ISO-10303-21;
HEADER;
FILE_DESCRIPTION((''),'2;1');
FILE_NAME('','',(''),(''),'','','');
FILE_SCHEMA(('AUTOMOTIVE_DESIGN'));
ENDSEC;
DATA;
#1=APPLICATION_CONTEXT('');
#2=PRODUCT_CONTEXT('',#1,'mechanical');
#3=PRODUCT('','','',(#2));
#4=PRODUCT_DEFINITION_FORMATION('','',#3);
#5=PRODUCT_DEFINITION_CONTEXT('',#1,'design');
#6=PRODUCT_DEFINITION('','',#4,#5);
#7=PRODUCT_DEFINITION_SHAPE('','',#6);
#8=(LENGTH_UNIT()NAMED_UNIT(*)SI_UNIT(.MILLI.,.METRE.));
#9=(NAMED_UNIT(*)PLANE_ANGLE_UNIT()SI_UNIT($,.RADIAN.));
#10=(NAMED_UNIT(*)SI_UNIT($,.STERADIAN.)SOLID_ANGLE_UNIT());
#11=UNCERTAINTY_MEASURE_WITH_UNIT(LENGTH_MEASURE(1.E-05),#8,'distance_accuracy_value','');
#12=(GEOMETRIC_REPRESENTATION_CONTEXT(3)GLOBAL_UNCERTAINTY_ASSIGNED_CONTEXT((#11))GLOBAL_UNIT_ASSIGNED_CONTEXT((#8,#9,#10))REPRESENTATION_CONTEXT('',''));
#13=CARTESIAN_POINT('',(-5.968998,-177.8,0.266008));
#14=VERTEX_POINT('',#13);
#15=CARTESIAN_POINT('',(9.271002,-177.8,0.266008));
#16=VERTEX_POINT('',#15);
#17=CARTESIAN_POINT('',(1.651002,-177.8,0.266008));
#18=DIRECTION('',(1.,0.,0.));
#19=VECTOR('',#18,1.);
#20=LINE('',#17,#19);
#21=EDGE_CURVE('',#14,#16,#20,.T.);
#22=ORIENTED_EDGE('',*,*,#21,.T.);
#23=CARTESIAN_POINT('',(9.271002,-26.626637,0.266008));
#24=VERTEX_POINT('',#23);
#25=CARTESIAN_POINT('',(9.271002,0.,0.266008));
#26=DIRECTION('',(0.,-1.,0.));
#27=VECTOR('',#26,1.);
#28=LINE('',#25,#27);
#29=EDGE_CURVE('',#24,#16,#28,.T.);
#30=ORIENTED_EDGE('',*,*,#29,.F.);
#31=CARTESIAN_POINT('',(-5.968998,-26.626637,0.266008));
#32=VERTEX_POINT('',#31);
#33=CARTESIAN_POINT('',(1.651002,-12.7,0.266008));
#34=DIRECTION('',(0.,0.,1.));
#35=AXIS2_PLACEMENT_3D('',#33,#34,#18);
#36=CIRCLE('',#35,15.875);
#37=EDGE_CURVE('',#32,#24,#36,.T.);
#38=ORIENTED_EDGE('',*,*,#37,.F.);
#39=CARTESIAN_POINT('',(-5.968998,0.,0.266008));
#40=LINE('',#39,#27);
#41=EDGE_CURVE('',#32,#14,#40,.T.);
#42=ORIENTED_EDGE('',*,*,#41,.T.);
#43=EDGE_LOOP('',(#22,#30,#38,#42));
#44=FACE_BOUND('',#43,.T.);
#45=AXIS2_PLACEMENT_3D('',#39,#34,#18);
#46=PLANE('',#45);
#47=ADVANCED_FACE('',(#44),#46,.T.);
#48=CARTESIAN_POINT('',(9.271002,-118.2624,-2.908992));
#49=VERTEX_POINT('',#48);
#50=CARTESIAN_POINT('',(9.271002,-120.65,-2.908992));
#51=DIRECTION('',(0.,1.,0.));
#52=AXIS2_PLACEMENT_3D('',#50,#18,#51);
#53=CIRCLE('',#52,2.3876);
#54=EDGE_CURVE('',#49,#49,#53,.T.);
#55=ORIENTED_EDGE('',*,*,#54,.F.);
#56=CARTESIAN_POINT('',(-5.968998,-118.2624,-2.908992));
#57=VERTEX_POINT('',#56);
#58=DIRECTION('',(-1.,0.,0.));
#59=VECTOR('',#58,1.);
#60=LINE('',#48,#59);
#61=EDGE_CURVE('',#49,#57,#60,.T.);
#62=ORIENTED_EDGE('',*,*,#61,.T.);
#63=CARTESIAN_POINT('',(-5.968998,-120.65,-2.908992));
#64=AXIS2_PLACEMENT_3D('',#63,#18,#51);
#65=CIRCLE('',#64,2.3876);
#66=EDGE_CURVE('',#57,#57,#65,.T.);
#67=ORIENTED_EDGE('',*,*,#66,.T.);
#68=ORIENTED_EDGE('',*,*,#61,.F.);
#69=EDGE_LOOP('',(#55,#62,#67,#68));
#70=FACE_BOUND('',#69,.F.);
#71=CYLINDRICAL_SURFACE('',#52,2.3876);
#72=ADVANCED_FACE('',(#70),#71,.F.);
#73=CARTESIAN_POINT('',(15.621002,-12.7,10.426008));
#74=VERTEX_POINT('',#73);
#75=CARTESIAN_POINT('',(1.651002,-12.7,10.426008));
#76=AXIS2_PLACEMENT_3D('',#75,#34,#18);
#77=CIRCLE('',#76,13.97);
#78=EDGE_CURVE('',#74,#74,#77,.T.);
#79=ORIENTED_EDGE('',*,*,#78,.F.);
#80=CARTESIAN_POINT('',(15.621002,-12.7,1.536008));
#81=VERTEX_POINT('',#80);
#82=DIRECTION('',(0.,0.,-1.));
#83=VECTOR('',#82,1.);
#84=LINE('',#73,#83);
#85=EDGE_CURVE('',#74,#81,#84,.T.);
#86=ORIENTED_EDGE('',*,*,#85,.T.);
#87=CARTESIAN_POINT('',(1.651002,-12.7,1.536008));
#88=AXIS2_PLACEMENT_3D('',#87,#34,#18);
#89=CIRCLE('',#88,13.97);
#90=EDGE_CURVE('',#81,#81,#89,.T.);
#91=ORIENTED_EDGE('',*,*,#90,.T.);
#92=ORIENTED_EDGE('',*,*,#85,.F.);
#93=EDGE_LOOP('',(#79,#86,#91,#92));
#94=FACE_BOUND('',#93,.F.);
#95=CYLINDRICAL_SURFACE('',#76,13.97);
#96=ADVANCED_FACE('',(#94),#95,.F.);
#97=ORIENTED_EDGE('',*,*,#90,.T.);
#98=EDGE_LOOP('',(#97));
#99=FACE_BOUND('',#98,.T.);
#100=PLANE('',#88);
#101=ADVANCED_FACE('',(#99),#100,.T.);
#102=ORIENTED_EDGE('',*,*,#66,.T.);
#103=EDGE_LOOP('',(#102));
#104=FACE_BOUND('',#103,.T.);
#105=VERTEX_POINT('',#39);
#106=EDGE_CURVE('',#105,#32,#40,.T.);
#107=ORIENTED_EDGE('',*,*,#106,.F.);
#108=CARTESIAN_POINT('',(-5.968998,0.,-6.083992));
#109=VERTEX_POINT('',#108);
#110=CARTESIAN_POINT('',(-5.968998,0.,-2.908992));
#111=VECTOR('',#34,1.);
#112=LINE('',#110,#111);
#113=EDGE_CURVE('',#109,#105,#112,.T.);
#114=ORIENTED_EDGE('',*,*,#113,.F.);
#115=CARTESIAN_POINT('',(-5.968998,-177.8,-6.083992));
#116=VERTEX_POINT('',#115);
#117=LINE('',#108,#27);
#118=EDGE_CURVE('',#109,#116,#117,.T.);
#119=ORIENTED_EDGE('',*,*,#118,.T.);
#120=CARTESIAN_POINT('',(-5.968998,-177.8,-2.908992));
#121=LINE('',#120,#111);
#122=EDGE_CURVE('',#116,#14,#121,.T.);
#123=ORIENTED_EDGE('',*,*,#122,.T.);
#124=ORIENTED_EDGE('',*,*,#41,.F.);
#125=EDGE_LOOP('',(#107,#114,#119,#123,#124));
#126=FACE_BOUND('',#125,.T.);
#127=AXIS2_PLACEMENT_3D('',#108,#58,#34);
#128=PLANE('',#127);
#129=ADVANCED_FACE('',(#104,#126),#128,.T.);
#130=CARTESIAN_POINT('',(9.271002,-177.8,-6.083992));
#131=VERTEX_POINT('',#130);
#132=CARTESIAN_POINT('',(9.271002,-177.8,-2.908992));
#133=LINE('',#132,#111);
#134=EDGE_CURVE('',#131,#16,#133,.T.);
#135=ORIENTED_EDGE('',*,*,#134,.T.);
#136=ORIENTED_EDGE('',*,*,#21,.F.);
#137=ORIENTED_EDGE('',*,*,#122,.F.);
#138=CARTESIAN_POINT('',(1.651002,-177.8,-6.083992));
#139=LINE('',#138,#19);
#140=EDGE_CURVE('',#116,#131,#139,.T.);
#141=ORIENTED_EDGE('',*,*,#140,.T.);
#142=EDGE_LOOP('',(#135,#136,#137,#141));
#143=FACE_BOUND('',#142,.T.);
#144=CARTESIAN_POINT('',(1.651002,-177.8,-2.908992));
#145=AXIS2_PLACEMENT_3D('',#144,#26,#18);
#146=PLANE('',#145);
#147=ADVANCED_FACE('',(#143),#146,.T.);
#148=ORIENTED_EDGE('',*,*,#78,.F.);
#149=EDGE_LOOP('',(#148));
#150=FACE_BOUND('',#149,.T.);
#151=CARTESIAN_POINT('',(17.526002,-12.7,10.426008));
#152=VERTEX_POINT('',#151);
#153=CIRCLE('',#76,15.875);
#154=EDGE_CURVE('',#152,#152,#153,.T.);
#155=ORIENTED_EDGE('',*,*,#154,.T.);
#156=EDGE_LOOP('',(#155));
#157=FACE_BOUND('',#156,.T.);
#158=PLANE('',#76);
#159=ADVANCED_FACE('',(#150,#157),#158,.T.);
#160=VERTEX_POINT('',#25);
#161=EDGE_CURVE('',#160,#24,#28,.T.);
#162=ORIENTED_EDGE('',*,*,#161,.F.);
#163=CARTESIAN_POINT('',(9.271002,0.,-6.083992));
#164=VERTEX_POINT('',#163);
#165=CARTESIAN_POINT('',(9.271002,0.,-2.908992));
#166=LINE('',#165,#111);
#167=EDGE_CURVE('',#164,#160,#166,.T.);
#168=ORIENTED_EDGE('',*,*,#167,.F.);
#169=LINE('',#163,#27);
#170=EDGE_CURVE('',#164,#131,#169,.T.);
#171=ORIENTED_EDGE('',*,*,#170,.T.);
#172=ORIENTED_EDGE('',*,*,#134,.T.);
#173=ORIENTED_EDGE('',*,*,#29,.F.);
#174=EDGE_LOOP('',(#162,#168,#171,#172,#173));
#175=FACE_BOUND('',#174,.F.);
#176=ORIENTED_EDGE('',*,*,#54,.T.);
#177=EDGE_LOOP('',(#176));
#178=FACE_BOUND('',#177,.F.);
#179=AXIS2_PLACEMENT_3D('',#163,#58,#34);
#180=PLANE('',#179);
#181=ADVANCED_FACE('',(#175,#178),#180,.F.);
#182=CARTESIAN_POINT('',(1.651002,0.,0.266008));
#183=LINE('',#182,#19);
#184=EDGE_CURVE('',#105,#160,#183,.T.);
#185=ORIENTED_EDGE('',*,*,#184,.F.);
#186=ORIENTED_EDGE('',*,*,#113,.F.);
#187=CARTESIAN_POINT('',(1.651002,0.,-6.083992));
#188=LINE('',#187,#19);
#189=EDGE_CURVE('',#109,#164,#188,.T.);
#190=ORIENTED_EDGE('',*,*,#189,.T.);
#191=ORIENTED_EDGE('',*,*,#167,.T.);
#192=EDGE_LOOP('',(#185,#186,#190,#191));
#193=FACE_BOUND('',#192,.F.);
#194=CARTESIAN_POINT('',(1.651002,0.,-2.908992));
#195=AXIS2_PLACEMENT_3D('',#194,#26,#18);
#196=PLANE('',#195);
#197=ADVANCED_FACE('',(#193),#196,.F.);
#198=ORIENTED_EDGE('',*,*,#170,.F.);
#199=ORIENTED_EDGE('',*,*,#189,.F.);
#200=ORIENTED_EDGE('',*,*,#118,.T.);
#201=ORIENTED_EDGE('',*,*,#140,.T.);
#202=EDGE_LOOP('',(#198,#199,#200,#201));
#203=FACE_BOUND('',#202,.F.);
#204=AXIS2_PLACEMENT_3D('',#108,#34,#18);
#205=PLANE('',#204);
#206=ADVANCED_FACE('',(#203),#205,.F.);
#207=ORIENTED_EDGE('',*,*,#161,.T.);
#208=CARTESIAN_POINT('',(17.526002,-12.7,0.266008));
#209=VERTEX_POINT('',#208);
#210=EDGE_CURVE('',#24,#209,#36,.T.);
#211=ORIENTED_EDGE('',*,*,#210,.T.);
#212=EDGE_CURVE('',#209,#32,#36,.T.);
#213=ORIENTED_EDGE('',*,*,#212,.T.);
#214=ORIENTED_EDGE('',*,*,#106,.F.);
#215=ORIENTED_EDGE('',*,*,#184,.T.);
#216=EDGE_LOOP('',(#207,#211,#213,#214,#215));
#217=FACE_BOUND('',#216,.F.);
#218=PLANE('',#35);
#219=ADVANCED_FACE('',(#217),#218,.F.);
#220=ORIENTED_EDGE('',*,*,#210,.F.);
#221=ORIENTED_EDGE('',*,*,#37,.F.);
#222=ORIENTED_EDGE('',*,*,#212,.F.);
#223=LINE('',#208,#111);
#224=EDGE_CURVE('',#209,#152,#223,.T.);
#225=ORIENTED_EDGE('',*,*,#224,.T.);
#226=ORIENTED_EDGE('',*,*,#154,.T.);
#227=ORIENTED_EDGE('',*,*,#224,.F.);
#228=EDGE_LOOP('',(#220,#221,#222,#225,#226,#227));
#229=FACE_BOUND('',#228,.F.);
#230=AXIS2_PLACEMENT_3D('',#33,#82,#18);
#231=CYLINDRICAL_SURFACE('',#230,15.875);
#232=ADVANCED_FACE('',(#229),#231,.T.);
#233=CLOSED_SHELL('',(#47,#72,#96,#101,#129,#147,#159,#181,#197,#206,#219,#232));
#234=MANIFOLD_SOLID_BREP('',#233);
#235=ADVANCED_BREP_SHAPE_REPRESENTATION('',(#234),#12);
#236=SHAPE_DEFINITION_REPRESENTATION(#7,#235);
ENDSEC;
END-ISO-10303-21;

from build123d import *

# Parameters (mm, degrees)
F0_W     = 15.24
F0_H     = 6.35
F1_DEPTH = 177.8
F2_R     = 2.3876
F3_DEPTH = 15.241
F4_R     = 15.875
F5_DEPTH = 10.16
F6_R     = 13.97
F7_DEPTH = 8.89


with BuildPart() as f1:
    # F0 (on Front) → F1 (new body)
    with BuildSketch(Plane.XZ):
        with Locations((1.651002, -2.908992)):
            Rectangle(F0_W, F0_H)
    extrude(amount=F1_DEPTH)

    # F2 (on face) → F3 (cut, through all)
    with BuildSketch(Plane.YZ.offset(9.271002)):
        with Locations((-120.65, -2.908992)):
            Circle(F2_R)
    extrude(amount=-F3_DEPTH, mode=Mode.SUBTRACT)

    # F4 (on face) → F5 (join)
    with BuildSketch(Plane.XY.offset(0.266008)):
        with Locations((1.651002, -12.7)):
            Circle(F4_R)
    extrude(amount=F5_DEPTH)

    # F6 (on face) → F7 (cut)
    with BuildSketch(Plane.XY.offset(10.426008)):
        with Locations((1.651002, -12.7)):
            Circle(F6_R)
    extrude(amount=-F7_DEPTH, mode=Mode.SUBTRACT)


solid = f1.part
